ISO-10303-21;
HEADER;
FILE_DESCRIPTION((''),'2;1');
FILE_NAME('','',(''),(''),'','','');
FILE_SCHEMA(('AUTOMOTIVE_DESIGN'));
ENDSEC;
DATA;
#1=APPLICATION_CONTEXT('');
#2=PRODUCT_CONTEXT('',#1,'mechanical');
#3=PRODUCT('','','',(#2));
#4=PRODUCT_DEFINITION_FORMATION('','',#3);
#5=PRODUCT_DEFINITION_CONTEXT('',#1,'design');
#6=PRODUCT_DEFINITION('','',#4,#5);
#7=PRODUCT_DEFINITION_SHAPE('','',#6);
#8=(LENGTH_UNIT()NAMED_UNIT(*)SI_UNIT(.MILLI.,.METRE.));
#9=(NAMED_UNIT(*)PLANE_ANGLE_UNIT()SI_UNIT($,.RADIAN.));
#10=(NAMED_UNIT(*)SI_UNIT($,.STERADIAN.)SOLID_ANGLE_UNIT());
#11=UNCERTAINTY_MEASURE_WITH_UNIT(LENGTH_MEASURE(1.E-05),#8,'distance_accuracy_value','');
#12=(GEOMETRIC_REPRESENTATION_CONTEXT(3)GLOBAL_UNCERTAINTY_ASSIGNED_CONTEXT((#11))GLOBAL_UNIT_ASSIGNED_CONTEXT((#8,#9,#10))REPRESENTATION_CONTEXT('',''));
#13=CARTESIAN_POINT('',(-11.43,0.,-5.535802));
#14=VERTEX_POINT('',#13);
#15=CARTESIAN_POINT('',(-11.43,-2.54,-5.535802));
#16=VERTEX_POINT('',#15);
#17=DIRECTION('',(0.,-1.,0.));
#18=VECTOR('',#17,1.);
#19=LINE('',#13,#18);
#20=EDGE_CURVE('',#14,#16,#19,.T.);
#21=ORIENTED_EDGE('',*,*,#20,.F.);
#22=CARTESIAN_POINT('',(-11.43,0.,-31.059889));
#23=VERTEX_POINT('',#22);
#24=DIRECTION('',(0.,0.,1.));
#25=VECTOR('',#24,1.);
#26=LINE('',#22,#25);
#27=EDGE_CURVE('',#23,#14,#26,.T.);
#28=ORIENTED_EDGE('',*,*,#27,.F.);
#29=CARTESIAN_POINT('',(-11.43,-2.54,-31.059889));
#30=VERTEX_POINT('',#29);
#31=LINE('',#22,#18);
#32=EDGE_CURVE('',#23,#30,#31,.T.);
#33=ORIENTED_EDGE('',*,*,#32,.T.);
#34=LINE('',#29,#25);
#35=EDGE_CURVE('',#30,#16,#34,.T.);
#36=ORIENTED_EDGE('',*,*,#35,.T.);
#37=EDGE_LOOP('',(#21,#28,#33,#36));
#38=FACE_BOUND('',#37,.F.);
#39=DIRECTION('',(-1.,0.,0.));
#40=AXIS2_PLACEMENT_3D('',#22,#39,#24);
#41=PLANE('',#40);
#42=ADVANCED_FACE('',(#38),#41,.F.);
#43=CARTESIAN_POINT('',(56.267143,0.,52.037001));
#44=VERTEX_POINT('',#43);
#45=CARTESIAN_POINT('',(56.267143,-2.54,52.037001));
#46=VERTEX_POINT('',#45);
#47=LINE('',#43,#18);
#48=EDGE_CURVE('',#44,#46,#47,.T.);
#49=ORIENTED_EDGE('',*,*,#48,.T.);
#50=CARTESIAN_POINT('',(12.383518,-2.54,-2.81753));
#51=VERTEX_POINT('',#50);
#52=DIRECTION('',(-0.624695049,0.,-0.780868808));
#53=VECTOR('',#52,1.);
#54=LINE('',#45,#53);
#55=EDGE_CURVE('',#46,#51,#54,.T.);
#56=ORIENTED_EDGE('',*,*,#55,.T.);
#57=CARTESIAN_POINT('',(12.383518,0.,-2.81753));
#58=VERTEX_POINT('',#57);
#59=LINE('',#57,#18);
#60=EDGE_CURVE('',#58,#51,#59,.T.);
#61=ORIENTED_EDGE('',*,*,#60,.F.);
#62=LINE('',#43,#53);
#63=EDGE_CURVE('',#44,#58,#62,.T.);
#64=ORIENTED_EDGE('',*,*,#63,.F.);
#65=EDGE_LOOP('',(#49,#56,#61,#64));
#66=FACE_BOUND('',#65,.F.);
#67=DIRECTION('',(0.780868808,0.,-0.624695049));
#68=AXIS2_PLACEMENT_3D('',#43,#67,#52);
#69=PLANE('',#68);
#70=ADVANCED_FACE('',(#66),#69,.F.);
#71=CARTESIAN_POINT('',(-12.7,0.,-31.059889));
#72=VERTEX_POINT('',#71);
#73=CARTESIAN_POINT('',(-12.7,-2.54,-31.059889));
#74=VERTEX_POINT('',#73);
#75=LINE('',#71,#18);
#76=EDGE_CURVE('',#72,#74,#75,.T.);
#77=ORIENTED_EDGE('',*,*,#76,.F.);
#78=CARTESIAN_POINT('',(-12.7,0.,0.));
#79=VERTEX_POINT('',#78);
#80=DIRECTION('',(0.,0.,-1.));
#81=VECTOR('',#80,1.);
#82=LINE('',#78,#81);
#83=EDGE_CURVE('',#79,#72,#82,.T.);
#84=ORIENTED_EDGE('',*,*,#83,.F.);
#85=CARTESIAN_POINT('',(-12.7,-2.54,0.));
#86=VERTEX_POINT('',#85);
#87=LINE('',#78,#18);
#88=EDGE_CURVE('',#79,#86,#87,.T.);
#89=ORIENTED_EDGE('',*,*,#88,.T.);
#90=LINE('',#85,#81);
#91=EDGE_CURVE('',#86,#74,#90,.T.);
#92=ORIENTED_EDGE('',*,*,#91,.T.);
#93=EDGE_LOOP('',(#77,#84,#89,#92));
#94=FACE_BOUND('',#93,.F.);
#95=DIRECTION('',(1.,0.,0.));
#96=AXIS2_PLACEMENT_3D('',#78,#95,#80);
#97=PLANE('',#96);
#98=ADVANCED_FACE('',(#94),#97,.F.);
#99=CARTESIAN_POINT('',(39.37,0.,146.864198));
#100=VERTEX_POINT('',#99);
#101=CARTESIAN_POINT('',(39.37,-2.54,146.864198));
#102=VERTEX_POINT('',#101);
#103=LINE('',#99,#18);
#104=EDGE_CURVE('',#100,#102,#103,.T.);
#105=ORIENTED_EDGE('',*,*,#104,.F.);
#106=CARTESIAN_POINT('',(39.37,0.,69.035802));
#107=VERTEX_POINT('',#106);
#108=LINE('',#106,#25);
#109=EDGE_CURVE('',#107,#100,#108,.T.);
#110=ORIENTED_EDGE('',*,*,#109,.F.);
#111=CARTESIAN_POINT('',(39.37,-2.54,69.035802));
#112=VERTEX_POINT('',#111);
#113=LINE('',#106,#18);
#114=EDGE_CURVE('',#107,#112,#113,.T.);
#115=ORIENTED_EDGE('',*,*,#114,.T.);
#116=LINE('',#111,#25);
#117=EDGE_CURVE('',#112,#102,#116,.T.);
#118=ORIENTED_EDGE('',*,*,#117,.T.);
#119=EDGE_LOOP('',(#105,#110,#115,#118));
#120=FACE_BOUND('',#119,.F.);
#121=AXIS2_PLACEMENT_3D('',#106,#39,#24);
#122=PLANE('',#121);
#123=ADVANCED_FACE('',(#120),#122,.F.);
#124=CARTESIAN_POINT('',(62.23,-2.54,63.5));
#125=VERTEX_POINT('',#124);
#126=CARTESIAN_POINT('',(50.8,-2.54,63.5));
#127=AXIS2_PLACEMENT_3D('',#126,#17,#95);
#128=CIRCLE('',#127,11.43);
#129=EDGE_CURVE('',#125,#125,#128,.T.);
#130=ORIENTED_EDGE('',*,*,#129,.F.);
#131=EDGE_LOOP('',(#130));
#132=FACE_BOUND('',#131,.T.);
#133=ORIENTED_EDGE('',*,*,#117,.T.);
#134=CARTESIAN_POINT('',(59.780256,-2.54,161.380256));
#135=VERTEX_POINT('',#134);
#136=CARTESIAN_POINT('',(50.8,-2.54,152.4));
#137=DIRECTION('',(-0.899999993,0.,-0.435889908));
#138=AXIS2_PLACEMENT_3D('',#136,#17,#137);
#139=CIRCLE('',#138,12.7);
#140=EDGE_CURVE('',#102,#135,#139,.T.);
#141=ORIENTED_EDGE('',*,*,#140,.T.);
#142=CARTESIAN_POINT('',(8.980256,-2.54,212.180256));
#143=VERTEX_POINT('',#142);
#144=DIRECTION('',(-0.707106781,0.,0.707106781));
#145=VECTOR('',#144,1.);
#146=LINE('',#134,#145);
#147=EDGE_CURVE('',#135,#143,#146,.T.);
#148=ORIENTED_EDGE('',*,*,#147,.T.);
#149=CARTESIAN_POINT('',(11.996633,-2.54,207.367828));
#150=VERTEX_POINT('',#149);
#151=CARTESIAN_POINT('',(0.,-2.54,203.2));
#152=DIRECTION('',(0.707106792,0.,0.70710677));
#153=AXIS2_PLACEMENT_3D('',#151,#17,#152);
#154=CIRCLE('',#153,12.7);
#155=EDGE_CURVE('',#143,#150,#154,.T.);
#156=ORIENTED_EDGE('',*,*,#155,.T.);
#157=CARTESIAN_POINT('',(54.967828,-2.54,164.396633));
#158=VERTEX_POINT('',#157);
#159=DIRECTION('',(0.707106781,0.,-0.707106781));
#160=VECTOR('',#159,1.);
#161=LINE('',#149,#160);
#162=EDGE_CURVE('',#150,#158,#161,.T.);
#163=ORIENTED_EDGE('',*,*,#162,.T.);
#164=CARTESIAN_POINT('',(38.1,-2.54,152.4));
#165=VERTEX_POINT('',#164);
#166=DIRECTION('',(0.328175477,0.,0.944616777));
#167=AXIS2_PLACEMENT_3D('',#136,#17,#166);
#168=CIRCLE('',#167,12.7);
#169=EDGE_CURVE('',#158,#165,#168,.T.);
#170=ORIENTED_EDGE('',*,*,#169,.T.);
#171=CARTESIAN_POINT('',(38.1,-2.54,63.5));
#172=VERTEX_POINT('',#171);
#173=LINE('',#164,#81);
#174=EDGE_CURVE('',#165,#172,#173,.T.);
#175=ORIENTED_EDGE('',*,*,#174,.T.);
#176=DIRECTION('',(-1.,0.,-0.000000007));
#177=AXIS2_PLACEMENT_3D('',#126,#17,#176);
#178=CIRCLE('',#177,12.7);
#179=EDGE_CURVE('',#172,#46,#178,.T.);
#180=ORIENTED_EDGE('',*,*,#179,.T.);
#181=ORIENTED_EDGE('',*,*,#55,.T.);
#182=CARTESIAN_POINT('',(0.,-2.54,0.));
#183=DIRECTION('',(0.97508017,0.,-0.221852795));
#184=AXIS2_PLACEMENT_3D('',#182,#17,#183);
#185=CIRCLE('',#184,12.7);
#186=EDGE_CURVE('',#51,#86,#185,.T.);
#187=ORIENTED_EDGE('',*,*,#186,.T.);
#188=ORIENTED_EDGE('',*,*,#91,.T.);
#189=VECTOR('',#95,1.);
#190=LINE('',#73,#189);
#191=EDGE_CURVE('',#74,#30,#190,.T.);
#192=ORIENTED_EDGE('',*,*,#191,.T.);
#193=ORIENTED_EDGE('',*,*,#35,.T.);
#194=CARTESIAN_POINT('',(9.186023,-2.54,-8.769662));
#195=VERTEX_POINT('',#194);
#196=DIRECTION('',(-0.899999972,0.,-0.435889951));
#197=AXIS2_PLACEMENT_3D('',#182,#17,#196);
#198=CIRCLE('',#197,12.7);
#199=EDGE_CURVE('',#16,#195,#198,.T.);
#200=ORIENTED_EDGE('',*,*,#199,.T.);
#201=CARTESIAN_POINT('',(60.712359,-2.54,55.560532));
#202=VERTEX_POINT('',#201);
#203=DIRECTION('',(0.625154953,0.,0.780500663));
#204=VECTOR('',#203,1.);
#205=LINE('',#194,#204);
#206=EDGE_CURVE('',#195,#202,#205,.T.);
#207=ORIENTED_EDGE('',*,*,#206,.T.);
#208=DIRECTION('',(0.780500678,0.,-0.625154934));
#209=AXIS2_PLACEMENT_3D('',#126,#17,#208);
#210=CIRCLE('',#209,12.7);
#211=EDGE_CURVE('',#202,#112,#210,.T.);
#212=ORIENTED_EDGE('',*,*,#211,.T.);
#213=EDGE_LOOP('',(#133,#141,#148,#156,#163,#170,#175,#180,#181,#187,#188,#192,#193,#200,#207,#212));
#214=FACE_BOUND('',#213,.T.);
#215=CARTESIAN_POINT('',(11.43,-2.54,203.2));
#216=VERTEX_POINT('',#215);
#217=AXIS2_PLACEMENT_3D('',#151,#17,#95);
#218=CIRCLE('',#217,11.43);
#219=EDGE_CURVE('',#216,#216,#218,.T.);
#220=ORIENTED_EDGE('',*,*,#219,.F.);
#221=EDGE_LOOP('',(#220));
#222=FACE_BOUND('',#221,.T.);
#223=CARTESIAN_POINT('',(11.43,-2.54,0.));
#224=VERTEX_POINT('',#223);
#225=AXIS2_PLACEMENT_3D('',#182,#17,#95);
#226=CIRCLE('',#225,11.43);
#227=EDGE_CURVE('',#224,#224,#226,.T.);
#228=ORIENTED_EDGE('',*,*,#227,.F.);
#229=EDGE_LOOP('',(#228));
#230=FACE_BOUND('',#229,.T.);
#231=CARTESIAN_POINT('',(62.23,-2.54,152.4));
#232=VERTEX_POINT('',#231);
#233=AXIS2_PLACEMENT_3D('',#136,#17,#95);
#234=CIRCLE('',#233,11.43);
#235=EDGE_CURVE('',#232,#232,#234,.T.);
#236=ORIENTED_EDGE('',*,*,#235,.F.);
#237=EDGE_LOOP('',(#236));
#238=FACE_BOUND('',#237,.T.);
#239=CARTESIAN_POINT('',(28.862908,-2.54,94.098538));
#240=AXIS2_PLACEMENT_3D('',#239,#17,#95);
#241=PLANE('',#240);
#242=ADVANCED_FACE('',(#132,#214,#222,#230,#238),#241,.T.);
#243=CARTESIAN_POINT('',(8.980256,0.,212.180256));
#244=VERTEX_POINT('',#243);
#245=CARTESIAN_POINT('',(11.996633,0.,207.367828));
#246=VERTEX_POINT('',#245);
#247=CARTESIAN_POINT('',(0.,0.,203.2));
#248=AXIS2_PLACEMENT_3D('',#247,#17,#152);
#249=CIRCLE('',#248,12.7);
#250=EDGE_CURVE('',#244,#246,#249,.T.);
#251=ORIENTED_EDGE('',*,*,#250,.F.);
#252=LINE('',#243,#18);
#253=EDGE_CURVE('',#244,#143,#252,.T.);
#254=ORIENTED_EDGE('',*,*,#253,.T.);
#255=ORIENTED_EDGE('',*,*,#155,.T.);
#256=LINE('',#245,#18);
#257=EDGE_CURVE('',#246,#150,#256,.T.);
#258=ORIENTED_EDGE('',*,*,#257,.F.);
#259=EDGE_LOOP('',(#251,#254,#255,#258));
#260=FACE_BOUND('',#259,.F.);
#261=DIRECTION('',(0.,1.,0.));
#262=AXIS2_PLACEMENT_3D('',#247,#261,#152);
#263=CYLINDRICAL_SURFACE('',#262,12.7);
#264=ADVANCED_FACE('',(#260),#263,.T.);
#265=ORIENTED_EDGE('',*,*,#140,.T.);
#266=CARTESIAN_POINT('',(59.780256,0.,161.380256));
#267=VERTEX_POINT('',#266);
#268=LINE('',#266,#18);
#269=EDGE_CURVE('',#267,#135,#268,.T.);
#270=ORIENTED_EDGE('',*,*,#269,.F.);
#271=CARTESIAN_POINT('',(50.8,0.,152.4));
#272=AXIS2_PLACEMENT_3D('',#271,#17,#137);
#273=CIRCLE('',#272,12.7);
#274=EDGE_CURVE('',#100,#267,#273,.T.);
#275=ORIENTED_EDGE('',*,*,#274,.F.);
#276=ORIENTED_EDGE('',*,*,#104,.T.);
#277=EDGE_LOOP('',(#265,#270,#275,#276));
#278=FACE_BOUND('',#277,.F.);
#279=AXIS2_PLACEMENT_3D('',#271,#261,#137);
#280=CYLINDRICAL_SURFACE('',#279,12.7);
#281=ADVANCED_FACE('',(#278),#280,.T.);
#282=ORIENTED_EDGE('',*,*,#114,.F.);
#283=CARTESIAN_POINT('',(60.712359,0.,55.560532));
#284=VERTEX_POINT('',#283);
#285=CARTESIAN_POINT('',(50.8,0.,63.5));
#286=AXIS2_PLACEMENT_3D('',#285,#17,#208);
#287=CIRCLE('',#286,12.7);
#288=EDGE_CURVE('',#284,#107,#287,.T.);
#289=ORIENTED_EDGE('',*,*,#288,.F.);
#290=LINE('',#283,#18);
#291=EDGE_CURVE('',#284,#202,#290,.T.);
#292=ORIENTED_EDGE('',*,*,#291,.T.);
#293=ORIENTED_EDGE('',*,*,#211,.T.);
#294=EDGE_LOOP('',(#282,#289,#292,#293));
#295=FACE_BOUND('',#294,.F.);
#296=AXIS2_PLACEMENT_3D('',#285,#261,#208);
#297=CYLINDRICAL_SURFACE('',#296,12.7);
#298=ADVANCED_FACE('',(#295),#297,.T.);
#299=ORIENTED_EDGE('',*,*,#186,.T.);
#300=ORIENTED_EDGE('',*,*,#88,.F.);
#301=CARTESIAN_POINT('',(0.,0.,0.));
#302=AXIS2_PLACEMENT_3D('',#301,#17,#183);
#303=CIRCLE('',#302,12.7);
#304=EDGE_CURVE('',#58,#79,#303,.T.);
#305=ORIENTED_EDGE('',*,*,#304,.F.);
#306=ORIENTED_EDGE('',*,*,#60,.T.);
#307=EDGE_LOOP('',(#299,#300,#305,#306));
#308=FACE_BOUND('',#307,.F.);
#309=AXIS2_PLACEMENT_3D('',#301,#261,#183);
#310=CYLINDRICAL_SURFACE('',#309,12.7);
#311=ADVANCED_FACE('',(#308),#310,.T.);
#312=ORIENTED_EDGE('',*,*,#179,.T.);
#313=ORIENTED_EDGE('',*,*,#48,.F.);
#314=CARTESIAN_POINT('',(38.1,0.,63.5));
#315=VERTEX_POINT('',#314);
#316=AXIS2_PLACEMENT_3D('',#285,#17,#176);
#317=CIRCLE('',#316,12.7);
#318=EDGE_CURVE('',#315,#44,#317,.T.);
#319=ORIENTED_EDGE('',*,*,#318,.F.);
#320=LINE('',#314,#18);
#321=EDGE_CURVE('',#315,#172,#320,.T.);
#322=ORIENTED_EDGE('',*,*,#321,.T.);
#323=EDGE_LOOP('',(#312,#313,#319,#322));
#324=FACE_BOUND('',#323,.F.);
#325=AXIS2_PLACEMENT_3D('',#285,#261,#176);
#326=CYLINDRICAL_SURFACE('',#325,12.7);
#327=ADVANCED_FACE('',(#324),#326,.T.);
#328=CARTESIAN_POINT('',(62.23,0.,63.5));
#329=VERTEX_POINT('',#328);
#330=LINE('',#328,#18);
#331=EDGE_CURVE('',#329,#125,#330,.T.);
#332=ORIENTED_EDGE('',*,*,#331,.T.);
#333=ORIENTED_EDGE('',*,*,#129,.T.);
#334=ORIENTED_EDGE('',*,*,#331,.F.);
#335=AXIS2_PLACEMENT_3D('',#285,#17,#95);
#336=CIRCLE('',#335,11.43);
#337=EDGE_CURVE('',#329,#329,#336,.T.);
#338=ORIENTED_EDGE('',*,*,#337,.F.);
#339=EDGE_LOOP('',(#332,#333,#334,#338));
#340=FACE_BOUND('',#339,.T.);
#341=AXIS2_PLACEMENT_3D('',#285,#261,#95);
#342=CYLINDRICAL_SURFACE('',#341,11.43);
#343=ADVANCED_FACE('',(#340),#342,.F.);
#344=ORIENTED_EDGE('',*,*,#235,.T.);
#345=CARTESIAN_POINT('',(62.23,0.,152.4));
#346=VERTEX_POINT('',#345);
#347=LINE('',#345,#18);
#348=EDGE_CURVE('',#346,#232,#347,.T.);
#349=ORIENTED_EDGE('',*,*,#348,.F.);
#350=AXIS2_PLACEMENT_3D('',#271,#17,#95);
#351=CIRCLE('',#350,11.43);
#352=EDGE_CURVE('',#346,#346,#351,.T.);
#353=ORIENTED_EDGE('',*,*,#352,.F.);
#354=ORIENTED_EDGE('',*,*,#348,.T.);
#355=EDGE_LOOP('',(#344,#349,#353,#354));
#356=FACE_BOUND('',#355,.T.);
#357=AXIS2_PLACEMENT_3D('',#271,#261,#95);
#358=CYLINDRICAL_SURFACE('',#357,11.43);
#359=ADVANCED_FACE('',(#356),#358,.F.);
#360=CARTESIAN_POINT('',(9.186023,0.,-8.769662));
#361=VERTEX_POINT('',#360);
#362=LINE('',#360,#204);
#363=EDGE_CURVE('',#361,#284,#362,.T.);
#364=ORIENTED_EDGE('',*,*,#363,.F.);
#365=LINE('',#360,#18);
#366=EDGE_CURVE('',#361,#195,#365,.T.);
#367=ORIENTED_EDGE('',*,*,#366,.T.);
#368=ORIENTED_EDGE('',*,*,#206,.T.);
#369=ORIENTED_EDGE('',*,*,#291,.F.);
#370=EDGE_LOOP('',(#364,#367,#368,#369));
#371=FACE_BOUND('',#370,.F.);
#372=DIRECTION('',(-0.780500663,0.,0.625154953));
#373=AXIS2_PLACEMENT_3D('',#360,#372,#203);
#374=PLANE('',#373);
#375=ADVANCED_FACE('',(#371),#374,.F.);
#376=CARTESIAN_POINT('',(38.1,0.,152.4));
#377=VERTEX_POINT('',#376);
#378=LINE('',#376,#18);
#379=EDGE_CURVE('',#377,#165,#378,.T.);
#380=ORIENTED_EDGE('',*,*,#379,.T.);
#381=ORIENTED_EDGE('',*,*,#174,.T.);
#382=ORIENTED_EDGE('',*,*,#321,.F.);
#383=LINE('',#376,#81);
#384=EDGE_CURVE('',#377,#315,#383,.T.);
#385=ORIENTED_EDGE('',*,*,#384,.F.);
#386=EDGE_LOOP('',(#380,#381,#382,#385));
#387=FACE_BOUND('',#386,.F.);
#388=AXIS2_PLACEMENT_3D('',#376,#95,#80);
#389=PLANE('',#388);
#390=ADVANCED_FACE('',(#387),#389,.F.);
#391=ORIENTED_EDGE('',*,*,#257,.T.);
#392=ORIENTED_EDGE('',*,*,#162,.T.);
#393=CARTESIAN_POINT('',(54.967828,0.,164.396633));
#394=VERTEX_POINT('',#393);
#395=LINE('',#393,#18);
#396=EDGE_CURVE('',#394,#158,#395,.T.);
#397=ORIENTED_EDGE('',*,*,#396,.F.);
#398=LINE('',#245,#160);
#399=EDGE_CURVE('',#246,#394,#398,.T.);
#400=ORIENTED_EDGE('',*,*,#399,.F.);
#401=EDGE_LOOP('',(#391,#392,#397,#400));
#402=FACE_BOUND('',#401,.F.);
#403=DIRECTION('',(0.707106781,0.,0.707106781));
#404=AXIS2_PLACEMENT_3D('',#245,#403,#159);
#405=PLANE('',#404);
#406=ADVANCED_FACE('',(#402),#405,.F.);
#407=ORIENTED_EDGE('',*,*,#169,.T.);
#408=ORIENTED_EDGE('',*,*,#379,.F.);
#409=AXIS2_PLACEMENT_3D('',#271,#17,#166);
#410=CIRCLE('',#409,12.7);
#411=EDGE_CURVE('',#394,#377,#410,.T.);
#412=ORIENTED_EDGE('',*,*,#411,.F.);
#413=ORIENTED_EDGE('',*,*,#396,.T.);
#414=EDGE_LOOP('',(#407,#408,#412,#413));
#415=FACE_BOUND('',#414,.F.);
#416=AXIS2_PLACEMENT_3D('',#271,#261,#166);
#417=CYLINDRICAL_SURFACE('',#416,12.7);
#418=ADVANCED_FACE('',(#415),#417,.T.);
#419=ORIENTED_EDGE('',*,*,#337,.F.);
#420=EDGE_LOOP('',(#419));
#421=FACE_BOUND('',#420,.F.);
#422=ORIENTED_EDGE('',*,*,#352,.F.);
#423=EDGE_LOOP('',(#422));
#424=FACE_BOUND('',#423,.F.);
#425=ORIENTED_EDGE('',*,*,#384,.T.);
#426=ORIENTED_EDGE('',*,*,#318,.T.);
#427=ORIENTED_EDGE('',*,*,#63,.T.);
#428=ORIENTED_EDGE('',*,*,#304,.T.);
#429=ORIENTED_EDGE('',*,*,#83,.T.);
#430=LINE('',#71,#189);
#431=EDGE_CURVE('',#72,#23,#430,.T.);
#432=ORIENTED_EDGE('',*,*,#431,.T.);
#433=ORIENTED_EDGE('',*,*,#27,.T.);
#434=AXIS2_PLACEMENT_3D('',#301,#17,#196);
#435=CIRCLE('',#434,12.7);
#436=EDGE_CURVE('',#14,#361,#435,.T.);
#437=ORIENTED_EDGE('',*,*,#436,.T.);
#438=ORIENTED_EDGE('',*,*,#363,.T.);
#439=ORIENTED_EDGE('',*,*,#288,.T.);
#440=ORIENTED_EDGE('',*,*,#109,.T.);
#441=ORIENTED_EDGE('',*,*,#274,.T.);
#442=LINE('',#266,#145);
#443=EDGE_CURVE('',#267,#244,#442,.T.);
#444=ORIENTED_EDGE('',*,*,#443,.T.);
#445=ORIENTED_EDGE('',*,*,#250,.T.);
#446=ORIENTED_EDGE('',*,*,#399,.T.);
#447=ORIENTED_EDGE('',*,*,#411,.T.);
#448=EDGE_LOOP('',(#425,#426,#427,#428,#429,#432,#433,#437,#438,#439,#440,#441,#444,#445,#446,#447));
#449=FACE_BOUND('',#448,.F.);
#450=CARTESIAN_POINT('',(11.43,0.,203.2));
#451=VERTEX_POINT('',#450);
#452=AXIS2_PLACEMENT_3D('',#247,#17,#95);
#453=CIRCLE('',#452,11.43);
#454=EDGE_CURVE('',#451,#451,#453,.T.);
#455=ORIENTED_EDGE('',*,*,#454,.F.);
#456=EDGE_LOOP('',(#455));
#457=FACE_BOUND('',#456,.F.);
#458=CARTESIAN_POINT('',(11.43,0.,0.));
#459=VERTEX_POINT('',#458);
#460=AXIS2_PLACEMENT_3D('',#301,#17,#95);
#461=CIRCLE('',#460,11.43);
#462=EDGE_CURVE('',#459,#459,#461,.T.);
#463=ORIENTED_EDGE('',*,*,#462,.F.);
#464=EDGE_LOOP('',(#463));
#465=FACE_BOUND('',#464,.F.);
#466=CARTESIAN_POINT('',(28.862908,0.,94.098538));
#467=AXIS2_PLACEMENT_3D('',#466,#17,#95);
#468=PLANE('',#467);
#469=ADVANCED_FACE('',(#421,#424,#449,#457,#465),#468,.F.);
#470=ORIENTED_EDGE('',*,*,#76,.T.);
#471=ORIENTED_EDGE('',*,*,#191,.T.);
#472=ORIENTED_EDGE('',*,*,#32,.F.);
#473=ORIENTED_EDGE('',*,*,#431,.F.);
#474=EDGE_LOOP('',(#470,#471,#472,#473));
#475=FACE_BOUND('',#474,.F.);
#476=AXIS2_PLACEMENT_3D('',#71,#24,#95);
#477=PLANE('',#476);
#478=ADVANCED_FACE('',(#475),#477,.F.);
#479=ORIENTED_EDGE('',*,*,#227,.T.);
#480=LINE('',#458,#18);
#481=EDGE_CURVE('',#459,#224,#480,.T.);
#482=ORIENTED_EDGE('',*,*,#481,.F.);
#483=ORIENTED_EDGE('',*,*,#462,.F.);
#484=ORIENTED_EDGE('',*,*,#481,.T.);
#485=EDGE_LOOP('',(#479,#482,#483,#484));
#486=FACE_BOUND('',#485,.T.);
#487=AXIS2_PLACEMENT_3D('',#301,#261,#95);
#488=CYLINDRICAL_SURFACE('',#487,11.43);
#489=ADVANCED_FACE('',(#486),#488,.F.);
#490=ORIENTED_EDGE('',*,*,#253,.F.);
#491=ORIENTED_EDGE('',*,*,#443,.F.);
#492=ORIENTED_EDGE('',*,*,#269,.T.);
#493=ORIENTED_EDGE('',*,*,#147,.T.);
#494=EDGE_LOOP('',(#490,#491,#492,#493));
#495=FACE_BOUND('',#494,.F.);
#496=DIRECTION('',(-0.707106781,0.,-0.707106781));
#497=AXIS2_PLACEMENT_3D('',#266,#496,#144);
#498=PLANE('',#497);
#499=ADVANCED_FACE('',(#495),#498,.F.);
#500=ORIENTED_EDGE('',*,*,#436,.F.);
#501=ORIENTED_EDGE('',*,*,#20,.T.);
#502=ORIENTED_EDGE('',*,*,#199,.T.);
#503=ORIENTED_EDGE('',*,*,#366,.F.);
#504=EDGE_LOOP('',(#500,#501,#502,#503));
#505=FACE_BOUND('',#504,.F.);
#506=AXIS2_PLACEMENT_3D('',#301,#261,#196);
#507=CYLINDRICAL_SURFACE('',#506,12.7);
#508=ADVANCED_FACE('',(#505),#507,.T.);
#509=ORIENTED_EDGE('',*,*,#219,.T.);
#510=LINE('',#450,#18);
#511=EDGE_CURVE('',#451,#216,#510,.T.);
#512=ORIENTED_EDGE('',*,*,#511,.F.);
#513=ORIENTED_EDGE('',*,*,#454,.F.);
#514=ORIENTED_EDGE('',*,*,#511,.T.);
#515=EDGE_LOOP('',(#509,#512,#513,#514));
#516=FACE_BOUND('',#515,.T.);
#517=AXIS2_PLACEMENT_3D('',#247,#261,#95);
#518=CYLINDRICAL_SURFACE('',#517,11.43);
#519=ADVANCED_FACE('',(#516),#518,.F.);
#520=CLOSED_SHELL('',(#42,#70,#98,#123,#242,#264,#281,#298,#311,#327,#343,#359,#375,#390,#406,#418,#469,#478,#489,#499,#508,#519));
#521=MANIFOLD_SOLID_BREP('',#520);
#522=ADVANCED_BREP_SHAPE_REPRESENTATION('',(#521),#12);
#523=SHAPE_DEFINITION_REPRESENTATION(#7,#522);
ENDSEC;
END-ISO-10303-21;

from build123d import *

# Parameters (mm, degrees)
F0_R     = 11.43
F1_DEPTH = 2.54


with BuildPart() as f1:
    # F0 (on Front) → F1 (new body)
    with BuildSketch(Plane.XZ):
        with BuildLine():
            Line((56.267143, 52.037001), (12.383518, -2.81753))
            ThreePointArc((12.383518, -2.81753), (1.417624, 12.620632), (-12.7, 0))
            Line((-12.7, 0), (-12.7, -31.059889))
            Line((-12.7, -31.059889), (-11.43, -31.059889))
            Line((-11.43, -31.059889), (-11.43, -5.535802))
            ThreePointArc((-11.43, -5.535802), (-1.968076, -12.54658), (9.186023, -8.769662))
            Line((9.186023, -8.769662), (60.712359, 55.560532))
            ThreePointArc((60.712359, 55.560532), (57.580231, 74.238644), (39.37, 69.035802))
            Line((39.37, 69.035802), (39.37, 146.864198))
            ThreePointArc((39.37, 146.864198), (58.160659, 142.05057), (59.780256, 161.380256))
            Line((59.780256, 161.380256), (8.980256, 212.180256))
            ThreePointArc((8.980256, 212.180256), (-10.760917, 196.455175), (11.996633, 207.367828))
            Line((11.996633, 207.367828), (54.967828, 164.396633))
            ThreePointArc((54.967828, 164.396633), (43.439341, 162.74943), (38.1, 152.4))
            Line((38.1, 152.4), (38.1, 63.5))
            ThreePointArc((38.1, 63.5), (44.022932, 52.75936), (56.267143, 52.037001))
        make_face()
        Circle(F0_R, mode=Mode.SUBTRACT)
        with Locations((50.8, 63.5)):
            Circle(F0_R, mode=Mode.SUBTRACT)
        with Locations((0, 203.2)):
            Circle(F0_R, mode=Mode.SUBTRACT)
        with Locations((50.8, 152.4)):
            Circle(F0_R, mode=Mode.SUBTRACT)
    extrude(amount=F1_DEPTH)


solid = f1.part
